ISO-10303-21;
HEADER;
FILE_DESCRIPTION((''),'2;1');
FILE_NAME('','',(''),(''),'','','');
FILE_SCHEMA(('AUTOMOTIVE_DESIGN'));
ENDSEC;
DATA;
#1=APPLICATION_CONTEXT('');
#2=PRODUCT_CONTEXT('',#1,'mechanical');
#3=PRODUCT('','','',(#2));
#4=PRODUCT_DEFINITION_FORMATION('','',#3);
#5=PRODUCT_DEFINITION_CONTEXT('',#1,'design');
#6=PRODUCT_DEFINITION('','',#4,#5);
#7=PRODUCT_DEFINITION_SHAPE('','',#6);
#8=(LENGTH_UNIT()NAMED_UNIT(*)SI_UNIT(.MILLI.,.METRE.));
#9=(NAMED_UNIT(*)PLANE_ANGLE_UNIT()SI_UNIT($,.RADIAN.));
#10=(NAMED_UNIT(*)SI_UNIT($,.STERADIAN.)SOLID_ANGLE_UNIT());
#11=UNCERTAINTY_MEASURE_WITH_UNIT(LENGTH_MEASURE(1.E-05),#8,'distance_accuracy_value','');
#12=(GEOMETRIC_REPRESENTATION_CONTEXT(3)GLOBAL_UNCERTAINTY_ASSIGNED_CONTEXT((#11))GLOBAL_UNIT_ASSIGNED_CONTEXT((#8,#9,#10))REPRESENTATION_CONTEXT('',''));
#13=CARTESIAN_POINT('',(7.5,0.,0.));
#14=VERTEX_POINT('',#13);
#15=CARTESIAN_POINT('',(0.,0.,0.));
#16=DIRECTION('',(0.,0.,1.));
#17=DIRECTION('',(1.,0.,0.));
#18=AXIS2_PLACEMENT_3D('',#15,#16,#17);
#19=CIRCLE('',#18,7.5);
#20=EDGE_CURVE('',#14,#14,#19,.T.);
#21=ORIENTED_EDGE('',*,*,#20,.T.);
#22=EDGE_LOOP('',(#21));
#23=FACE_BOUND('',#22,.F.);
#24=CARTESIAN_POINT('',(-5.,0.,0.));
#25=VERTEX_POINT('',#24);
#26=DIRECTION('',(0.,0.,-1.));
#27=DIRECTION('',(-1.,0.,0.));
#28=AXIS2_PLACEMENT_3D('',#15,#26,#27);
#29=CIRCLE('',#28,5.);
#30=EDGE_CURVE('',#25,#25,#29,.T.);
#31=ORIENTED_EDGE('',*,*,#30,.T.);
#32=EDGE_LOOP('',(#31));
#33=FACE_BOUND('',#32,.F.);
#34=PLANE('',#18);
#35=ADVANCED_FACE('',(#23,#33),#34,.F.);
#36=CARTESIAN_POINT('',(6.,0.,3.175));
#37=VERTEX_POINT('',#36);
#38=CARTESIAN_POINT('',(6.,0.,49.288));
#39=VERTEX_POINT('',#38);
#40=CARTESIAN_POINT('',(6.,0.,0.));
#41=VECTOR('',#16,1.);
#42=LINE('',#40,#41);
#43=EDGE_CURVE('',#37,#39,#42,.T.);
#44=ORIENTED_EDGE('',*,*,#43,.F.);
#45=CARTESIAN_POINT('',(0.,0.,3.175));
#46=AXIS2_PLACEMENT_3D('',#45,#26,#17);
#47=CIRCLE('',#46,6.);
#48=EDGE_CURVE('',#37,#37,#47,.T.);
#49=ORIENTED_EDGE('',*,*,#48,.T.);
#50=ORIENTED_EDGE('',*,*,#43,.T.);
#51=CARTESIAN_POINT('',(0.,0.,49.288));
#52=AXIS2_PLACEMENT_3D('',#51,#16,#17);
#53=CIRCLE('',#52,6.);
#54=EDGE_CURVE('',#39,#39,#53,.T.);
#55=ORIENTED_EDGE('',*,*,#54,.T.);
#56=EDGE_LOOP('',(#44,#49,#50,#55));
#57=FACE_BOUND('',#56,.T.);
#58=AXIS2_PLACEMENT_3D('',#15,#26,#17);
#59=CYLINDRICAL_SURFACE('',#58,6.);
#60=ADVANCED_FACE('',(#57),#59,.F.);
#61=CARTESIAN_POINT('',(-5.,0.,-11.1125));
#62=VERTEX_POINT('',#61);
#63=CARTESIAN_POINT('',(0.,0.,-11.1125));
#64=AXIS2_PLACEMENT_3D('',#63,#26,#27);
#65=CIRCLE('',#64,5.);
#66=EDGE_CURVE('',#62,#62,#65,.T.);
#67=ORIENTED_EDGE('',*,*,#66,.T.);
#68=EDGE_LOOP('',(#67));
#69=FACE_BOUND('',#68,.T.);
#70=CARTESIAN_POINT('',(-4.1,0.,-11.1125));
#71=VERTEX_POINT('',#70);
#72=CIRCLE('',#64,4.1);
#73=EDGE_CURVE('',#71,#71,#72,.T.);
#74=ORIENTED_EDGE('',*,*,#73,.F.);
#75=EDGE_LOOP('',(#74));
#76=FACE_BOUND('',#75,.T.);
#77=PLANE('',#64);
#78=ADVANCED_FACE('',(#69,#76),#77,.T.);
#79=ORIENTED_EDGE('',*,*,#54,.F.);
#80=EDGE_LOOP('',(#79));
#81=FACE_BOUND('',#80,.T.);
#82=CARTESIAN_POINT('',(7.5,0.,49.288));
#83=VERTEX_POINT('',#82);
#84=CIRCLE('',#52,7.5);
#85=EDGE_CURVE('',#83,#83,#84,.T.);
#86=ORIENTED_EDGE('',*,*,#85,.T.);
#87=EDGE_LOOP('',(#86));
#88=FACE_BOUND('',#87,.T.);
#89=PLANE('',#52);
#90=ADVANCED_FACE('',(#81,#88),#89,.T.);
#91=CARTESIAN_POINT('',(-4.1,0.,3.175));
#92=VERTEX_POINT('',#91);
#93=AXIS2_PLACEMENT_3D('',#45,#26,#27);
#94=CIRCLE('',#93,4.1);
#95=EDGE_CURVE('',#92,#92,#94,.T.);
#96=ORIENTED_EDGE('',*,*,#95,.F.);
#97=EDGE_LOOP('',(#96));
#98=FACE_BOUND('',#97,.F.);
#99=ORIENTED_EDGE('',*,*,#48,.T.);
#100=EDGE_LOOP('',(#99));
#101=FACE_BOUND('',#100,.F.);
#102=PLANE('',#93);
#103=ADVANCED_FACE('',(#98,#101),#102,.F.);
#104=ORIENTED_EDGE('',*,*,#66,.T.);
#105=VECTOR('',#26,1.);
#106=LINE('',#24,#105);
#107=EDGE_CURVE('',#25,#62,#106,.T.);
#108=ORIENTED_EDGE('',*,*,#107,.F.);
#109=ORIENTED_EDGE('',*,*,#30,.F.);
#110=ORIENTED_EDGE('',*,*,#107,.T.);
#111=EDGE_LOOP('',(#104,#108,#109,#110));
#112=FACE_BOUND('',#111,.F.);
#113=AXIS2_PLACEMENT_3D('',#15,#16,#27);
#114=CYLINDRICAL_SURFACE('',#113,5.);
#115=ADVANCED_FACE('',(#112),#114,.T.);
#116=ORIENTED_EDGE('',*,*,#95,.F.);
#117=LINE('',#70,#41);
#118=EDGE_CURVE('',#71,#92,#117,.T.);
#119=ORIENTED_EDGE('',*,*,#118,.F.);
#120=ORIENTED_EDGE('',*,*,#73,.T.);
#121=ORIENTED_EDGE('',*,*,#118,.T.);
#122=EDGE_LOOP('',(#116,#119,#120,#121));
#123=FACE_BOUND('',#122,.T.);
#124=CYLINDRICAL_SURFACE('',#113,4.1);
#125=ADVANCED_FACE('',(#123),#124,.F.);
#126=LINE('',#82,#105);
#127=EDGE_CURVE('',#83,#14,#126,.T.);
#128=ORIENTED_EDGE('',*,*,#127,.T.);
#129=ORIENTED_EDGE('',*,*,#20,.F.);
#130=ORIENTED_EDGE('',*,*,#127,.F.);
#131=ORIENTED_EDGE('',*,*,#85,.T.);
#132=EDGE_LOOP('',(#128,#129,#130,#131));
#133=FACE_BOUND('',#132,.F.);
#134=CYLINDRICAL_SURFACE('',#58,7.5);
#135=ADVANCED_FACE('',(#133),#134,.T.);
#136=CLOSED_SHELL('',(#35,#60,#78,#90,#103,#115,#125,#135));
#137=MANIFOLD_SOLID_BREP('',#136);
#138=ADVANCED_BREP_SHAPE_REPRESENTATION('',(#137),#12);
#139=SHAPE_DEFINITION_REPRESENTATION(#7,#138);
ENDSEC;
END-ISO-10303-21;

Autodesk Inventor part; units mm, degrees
ref_plane "YZ Plane" through (0, 0, 0) normal (1, 0, 0) x (0, 1, 0)
ref_plane "XZ Plane" through (0, 0, 0) normal (0, 1, 0) x (-1, 0, 0)
ref_plane "XY Plane" through (0, 0, 0) normal (0, 0, 1) x (1, 0, 0)
sketch "Sketch1" plane through (0, 0, 0) normal (0, 0, 1) x (1, 0, 0)
  circle A0 centre (0, 0) radius 6
  circle A1 centre (0, 0) radius 7.5
  dimension "d0" = 12
  dimension "d1" = 15
extrude "Extrusion1" add sketch "Sketch1" along normal blind 49.288
sketch "Sketch2" plane through (0, 0, 0) normal (0, 0, -1) x (-1, 0, 0)
  circle A0 centre (0, 0) radius 4.1
  circle A1 centre (0, 0) radius 5
  dimension "d4" = 8.2
  dimension "d5" = 10
extrude "Extrusion2" add sketch "Sketch2" along normal blind 11.1125
sketch "Sketch3" plane through (0, 0, 0) normal (0, 0, -1) x (-1, 0, 0)
  circle A0 centre (0, 0) radius 4.1 projected
  circle A1 centre (0, 0) radius 7.5 projected
extrude "Extrusion3" add sketch "Sketch3" against normal blind 3.175
properties part number "OuterShaft" material "Steel, Alloy"
